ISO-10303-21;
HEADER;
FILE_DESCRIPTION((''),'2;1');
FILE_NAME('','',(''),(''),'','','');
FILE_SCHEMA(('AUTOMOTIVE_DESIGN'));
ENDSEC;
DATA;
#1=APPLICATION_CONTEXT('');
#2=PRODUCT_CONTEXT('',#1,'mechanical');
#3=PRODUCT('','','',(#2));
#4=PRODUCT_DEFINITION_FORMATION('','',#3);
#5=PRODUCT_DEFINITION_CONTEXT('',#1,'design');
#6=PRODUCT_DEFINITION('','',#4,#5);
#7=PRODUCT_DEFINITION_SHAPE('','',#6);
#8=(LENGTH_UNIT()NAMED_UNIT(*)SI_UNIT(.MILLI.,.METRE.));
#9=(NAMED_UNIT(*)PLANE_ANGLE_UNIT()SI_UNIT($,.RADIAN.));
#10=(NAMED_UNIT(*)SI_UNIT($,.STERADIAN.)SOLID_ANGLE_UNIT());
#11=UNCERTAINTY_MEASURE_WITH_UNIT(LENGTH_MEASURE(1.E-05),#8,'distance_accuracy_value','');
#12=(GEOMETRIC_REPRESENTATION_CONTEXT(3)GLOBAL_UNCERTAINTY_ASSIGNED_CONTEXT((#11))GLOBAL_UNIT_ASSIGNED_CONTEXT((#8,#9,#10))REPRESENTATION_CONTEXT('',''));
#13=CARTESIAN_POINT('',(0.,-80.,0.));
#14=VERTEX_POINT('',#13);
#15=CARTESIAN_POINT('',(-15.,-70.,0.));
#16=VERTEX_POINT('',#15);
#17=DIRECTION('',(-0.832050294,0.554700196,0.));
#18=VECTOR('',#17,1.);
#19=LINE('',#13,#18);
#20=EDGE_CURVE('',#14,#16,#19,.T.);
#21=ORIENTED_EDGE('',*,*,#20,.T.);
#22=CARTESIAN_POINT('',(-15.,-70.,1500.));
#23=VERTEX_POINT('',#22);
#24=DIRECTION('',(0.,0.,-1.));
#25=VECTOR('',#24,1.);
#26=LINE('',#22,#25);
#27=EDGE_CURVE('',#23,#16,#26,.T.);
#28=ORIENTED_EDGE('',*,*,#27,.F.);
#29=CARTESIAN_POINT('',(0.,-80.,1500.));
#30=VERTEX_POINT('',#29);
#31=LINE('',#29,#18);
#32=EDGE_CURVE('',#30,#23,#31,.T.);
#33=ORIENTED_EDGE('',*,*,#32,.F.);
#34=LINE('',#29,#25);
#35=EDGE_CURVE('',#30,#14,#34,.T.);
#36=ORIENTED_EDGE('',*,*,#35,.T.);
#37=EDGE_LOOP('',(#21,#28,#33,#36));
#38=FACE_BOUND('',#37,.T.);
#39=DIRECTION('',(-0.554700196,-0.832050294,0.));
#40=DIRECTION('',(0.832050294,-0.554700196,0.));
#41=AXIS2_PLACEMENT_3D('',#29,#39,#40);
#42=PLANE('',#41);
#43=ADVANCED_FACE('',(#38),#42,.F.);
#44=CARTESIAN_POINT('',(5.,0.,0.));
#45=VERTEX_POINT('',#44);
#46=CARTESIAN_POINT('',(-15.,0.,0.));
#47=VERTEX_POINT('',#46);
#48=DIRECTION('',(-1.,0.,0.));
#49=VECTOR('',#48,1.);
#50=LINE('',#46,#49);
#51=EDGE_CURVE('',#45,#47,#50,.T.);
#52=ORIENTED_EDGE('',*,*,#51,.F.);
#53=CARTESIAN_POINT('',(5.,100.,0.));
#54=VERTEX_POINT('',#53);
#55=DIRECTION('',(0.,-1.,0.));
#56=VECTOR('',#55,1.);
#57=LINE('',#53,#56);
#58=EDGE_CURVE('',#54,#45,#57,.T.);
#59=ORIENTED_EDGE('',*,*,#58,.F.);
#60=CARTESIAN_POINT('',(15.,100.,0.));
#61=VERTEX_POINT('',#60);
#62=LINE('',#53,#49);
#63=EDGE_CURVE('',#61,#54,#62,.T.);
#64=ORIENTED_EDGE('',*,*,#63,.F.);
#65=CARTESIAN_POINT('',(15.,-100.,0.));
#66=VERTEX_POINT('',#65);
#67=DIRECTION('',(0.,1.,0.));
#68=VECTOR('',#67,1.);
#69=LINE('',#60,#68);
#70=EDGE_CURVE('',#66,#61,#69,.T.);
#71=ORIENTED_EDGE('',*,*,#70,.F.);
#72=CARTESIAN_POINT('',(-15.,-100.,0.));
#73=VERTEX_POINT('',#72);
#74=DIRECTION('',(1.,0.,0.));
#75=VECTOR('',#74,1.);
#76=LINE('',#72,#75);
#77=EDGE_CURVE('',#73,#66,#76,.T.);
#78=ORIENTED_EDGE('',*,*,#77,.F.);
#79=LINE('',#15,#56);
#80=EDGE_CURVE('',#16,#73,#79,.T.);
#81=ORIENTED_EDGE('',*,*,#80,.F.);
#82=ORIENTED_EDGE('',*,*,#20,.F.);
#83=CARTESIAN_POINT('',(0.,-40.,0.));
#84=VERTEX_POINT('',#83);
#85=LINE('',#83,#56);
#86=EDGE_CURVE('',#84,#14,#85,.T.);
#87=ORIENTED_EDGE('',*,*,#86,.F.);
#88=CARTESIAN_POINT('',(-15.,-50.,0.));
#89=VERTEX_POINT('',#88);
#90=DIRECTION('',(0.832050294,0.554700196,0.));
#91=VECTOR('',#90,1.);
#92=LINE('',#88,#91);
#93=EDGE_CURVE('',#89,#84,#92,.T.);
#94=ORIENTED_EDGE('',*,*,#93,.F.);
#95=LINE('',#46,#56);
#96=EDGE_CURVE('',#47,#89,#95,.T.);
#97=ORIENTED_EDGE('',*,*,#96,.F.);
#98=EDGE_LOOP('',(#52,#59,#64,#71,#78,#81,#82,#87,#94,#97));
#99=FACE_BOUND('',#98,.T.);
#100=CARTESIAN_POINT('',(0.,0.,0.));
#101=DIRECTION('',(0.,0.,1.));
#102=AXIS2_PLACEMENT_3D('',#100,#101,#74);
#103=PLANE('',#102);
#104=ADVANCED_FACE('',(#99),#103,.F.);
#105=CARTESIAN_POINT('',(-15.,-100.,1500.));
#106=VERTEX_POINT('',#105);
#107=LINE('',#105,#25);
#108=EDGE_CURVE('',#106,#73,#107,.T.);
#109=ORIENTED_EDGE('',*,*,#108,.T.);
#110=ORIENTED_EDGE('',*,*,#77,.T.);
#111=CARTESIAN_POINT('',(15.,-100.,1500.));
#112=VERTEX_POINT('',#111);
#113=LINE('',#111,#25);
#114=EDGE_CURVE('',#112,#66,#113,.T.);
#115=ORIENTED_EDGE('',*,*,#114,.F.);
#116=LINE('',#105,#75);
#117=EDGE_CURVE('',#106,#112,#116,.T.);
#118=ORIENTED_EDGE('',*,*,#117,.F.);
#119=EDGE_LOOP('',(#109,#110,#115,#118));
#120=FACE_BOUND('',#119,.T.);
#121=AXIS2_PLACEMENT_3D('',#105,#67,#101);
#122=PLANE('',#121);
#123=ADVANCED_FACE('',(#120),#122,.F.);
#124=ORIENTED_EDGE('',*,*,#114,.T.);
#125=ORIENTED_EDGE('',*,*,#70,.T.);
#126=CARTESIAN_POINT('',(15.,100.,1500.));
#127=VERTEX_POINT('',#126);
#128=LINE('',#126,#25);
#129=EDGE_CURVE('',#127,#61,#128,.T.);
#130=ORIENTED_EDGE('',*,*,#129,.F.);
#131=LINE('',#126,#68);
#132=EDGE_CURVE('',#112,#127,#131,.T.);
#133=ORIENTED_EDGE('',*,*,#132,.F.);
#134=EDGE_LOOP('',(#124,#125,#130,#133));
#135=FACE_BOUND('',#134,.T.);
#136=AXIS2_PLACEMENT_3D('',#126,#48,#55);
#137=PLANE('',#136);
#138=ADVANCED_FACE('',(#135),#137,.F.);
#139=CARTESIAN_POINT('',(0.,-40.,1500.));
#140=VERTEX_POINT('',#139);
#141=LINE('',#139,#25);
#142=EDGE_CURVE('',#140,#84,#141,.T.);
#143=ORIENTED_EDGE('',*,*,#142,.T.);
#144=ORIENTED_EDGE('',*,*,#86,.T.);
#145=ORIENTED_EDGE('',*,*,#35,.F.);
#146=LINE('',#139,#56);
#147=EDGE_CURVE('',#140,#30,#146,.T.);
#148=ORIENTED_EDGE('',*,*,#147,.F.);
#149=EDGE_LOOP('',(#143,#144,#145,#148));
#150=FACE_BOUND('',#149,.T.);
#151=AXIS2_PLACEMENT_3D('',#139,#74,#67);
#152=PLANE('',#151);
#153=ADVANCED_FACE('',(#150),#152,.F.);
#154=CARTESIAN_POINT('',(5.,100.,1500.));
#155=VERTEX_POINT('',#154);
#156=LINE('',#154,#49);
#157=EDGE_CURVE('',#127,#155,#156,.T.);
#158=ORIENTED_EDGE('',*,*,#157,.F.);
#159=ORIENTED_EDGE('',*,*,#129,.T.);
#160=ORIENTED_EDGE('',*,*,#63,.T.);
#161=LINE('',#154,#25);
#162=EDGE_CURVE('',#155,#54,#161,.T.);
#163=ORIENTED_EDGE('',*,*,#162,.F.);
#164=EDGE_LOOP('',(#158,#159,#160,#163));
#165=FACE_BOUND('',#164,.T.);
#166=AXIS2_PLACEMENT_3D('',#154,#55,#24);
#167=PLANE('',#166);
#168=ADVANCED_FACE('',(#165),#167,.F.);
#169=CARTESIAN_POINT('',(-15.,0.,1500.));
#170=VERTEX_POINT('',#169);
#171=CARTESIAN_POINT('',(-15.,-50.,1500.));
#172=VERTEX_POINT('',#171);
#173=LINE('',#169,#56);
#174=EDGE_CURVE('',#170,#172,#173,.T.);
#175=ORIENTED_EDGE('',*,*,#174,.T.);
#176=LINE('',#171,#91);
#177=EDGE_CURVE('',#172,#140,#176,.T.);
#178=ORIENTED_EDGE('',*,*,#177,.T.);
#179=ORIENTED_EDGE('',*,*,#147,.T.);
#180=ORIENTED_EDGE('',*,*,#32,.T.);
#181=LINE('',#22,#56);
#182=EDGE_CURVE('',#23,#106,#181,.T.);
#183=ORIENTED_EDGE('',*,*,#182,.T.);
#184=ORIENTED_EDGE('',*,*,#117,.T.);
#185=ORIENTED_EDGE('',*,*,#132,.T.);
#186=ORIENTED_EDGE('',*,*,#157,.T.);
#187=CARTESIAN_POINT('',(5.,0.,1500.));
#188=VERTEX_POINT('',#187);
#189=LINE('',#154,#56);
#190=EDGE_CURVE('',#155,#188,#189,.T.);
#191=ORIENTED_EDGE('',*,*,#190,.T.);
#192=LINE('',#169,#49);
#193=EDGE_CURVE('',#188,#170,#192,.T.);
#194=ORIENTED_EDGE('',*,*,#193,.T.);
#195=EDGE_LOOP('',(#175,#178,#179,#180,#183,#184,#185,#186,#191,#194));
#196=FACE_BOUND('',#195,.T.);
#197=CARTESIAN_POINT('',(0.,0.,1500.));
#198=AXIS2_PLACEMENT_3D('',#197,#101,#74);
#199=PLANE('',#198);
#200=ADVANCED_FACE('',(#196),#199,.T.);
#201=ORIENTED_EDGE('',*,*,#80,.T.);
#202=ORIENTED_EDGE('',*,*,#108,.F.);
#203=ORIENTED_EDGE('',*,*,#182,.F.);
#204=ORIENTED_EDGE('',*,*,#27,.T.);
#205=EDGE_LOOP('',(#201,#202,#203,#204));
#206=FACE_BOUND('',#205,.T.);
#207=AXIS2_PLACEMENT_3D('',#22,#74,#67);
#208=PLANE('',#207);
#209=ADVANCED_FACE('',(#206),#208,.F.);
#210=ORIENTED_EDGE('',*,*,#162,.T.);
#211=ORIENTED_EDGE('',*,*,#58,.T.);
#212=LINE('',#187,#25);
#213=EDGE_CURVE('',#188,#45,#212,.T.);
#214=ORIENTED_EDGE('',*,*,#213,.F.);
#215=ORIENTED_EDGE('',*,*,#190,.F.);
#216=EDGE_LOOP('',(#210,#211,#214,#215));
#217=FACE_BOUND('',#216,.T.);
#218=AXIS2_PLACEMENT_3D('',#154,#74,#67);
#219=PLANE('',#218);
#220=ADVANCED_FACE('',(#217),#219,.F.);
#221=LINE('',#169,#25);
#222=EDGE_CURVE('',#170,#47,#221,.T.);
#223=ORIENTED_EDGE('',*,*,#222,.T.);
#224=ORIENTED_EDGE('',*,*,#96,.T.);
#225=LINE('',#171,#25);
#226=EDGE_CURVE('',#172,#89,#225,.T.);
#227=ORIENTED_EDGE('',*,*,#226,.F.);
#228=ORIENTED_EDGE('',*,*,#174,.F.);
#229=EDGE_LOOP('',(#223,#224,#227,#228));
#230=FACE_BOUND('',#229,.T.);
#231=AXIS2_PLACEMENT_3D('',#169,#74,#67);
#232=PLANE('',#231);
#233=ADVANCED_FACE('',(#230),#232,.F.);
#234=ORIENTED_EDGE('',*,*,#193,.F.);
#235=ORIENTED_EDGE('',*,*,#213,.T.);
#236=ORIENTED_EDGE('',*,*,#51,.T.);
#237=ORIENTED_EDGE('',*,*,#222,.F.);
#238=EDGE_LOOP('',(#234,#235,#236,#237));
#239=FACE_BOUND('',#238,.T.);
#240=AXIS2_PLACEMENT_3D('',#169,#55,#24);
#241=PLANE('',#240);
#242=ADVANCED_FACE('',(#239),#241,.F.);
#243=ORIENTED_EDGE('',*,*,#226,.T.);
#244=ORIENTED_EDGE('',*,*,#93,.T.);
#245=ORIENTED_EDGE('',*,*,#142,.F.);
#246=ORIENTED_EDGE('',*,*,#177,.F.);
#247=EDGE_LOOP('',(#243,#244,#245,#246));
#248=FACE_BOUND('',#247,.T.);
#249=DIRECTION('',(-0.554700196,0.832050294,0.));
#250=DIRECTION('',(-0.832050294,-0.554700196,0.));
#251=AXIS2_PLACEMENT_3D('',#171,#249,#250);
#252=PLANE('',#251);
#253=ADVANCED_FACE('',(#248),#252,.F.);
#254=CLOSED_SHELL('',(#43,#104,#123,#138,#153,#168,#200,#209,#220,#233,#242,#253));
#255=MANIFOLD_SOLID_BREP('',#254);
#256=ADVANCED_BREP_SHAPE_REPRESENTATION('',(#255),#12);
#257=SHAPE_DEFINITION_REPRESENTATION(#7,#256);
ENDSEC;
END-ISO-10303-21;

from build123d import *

# Parameters (mm, degrees)
BOSS_EXTRUDE2_DEPTH = 1500


with BuildPart() as part:
    # Sketch6 → Boss-Extrude2 (new body)
    with BuildSketch(Plane.XY):
        Polygon((-15, -50), (0, -40), (0, -80), (-15, -70), (-15, -100), (15, -100), (15, 100), (5, 100), (5, 0), (-15, 0), align=None)
    extrude(amount=BOSS_EXTRUDE2_DEPTH)


solid = part.part
